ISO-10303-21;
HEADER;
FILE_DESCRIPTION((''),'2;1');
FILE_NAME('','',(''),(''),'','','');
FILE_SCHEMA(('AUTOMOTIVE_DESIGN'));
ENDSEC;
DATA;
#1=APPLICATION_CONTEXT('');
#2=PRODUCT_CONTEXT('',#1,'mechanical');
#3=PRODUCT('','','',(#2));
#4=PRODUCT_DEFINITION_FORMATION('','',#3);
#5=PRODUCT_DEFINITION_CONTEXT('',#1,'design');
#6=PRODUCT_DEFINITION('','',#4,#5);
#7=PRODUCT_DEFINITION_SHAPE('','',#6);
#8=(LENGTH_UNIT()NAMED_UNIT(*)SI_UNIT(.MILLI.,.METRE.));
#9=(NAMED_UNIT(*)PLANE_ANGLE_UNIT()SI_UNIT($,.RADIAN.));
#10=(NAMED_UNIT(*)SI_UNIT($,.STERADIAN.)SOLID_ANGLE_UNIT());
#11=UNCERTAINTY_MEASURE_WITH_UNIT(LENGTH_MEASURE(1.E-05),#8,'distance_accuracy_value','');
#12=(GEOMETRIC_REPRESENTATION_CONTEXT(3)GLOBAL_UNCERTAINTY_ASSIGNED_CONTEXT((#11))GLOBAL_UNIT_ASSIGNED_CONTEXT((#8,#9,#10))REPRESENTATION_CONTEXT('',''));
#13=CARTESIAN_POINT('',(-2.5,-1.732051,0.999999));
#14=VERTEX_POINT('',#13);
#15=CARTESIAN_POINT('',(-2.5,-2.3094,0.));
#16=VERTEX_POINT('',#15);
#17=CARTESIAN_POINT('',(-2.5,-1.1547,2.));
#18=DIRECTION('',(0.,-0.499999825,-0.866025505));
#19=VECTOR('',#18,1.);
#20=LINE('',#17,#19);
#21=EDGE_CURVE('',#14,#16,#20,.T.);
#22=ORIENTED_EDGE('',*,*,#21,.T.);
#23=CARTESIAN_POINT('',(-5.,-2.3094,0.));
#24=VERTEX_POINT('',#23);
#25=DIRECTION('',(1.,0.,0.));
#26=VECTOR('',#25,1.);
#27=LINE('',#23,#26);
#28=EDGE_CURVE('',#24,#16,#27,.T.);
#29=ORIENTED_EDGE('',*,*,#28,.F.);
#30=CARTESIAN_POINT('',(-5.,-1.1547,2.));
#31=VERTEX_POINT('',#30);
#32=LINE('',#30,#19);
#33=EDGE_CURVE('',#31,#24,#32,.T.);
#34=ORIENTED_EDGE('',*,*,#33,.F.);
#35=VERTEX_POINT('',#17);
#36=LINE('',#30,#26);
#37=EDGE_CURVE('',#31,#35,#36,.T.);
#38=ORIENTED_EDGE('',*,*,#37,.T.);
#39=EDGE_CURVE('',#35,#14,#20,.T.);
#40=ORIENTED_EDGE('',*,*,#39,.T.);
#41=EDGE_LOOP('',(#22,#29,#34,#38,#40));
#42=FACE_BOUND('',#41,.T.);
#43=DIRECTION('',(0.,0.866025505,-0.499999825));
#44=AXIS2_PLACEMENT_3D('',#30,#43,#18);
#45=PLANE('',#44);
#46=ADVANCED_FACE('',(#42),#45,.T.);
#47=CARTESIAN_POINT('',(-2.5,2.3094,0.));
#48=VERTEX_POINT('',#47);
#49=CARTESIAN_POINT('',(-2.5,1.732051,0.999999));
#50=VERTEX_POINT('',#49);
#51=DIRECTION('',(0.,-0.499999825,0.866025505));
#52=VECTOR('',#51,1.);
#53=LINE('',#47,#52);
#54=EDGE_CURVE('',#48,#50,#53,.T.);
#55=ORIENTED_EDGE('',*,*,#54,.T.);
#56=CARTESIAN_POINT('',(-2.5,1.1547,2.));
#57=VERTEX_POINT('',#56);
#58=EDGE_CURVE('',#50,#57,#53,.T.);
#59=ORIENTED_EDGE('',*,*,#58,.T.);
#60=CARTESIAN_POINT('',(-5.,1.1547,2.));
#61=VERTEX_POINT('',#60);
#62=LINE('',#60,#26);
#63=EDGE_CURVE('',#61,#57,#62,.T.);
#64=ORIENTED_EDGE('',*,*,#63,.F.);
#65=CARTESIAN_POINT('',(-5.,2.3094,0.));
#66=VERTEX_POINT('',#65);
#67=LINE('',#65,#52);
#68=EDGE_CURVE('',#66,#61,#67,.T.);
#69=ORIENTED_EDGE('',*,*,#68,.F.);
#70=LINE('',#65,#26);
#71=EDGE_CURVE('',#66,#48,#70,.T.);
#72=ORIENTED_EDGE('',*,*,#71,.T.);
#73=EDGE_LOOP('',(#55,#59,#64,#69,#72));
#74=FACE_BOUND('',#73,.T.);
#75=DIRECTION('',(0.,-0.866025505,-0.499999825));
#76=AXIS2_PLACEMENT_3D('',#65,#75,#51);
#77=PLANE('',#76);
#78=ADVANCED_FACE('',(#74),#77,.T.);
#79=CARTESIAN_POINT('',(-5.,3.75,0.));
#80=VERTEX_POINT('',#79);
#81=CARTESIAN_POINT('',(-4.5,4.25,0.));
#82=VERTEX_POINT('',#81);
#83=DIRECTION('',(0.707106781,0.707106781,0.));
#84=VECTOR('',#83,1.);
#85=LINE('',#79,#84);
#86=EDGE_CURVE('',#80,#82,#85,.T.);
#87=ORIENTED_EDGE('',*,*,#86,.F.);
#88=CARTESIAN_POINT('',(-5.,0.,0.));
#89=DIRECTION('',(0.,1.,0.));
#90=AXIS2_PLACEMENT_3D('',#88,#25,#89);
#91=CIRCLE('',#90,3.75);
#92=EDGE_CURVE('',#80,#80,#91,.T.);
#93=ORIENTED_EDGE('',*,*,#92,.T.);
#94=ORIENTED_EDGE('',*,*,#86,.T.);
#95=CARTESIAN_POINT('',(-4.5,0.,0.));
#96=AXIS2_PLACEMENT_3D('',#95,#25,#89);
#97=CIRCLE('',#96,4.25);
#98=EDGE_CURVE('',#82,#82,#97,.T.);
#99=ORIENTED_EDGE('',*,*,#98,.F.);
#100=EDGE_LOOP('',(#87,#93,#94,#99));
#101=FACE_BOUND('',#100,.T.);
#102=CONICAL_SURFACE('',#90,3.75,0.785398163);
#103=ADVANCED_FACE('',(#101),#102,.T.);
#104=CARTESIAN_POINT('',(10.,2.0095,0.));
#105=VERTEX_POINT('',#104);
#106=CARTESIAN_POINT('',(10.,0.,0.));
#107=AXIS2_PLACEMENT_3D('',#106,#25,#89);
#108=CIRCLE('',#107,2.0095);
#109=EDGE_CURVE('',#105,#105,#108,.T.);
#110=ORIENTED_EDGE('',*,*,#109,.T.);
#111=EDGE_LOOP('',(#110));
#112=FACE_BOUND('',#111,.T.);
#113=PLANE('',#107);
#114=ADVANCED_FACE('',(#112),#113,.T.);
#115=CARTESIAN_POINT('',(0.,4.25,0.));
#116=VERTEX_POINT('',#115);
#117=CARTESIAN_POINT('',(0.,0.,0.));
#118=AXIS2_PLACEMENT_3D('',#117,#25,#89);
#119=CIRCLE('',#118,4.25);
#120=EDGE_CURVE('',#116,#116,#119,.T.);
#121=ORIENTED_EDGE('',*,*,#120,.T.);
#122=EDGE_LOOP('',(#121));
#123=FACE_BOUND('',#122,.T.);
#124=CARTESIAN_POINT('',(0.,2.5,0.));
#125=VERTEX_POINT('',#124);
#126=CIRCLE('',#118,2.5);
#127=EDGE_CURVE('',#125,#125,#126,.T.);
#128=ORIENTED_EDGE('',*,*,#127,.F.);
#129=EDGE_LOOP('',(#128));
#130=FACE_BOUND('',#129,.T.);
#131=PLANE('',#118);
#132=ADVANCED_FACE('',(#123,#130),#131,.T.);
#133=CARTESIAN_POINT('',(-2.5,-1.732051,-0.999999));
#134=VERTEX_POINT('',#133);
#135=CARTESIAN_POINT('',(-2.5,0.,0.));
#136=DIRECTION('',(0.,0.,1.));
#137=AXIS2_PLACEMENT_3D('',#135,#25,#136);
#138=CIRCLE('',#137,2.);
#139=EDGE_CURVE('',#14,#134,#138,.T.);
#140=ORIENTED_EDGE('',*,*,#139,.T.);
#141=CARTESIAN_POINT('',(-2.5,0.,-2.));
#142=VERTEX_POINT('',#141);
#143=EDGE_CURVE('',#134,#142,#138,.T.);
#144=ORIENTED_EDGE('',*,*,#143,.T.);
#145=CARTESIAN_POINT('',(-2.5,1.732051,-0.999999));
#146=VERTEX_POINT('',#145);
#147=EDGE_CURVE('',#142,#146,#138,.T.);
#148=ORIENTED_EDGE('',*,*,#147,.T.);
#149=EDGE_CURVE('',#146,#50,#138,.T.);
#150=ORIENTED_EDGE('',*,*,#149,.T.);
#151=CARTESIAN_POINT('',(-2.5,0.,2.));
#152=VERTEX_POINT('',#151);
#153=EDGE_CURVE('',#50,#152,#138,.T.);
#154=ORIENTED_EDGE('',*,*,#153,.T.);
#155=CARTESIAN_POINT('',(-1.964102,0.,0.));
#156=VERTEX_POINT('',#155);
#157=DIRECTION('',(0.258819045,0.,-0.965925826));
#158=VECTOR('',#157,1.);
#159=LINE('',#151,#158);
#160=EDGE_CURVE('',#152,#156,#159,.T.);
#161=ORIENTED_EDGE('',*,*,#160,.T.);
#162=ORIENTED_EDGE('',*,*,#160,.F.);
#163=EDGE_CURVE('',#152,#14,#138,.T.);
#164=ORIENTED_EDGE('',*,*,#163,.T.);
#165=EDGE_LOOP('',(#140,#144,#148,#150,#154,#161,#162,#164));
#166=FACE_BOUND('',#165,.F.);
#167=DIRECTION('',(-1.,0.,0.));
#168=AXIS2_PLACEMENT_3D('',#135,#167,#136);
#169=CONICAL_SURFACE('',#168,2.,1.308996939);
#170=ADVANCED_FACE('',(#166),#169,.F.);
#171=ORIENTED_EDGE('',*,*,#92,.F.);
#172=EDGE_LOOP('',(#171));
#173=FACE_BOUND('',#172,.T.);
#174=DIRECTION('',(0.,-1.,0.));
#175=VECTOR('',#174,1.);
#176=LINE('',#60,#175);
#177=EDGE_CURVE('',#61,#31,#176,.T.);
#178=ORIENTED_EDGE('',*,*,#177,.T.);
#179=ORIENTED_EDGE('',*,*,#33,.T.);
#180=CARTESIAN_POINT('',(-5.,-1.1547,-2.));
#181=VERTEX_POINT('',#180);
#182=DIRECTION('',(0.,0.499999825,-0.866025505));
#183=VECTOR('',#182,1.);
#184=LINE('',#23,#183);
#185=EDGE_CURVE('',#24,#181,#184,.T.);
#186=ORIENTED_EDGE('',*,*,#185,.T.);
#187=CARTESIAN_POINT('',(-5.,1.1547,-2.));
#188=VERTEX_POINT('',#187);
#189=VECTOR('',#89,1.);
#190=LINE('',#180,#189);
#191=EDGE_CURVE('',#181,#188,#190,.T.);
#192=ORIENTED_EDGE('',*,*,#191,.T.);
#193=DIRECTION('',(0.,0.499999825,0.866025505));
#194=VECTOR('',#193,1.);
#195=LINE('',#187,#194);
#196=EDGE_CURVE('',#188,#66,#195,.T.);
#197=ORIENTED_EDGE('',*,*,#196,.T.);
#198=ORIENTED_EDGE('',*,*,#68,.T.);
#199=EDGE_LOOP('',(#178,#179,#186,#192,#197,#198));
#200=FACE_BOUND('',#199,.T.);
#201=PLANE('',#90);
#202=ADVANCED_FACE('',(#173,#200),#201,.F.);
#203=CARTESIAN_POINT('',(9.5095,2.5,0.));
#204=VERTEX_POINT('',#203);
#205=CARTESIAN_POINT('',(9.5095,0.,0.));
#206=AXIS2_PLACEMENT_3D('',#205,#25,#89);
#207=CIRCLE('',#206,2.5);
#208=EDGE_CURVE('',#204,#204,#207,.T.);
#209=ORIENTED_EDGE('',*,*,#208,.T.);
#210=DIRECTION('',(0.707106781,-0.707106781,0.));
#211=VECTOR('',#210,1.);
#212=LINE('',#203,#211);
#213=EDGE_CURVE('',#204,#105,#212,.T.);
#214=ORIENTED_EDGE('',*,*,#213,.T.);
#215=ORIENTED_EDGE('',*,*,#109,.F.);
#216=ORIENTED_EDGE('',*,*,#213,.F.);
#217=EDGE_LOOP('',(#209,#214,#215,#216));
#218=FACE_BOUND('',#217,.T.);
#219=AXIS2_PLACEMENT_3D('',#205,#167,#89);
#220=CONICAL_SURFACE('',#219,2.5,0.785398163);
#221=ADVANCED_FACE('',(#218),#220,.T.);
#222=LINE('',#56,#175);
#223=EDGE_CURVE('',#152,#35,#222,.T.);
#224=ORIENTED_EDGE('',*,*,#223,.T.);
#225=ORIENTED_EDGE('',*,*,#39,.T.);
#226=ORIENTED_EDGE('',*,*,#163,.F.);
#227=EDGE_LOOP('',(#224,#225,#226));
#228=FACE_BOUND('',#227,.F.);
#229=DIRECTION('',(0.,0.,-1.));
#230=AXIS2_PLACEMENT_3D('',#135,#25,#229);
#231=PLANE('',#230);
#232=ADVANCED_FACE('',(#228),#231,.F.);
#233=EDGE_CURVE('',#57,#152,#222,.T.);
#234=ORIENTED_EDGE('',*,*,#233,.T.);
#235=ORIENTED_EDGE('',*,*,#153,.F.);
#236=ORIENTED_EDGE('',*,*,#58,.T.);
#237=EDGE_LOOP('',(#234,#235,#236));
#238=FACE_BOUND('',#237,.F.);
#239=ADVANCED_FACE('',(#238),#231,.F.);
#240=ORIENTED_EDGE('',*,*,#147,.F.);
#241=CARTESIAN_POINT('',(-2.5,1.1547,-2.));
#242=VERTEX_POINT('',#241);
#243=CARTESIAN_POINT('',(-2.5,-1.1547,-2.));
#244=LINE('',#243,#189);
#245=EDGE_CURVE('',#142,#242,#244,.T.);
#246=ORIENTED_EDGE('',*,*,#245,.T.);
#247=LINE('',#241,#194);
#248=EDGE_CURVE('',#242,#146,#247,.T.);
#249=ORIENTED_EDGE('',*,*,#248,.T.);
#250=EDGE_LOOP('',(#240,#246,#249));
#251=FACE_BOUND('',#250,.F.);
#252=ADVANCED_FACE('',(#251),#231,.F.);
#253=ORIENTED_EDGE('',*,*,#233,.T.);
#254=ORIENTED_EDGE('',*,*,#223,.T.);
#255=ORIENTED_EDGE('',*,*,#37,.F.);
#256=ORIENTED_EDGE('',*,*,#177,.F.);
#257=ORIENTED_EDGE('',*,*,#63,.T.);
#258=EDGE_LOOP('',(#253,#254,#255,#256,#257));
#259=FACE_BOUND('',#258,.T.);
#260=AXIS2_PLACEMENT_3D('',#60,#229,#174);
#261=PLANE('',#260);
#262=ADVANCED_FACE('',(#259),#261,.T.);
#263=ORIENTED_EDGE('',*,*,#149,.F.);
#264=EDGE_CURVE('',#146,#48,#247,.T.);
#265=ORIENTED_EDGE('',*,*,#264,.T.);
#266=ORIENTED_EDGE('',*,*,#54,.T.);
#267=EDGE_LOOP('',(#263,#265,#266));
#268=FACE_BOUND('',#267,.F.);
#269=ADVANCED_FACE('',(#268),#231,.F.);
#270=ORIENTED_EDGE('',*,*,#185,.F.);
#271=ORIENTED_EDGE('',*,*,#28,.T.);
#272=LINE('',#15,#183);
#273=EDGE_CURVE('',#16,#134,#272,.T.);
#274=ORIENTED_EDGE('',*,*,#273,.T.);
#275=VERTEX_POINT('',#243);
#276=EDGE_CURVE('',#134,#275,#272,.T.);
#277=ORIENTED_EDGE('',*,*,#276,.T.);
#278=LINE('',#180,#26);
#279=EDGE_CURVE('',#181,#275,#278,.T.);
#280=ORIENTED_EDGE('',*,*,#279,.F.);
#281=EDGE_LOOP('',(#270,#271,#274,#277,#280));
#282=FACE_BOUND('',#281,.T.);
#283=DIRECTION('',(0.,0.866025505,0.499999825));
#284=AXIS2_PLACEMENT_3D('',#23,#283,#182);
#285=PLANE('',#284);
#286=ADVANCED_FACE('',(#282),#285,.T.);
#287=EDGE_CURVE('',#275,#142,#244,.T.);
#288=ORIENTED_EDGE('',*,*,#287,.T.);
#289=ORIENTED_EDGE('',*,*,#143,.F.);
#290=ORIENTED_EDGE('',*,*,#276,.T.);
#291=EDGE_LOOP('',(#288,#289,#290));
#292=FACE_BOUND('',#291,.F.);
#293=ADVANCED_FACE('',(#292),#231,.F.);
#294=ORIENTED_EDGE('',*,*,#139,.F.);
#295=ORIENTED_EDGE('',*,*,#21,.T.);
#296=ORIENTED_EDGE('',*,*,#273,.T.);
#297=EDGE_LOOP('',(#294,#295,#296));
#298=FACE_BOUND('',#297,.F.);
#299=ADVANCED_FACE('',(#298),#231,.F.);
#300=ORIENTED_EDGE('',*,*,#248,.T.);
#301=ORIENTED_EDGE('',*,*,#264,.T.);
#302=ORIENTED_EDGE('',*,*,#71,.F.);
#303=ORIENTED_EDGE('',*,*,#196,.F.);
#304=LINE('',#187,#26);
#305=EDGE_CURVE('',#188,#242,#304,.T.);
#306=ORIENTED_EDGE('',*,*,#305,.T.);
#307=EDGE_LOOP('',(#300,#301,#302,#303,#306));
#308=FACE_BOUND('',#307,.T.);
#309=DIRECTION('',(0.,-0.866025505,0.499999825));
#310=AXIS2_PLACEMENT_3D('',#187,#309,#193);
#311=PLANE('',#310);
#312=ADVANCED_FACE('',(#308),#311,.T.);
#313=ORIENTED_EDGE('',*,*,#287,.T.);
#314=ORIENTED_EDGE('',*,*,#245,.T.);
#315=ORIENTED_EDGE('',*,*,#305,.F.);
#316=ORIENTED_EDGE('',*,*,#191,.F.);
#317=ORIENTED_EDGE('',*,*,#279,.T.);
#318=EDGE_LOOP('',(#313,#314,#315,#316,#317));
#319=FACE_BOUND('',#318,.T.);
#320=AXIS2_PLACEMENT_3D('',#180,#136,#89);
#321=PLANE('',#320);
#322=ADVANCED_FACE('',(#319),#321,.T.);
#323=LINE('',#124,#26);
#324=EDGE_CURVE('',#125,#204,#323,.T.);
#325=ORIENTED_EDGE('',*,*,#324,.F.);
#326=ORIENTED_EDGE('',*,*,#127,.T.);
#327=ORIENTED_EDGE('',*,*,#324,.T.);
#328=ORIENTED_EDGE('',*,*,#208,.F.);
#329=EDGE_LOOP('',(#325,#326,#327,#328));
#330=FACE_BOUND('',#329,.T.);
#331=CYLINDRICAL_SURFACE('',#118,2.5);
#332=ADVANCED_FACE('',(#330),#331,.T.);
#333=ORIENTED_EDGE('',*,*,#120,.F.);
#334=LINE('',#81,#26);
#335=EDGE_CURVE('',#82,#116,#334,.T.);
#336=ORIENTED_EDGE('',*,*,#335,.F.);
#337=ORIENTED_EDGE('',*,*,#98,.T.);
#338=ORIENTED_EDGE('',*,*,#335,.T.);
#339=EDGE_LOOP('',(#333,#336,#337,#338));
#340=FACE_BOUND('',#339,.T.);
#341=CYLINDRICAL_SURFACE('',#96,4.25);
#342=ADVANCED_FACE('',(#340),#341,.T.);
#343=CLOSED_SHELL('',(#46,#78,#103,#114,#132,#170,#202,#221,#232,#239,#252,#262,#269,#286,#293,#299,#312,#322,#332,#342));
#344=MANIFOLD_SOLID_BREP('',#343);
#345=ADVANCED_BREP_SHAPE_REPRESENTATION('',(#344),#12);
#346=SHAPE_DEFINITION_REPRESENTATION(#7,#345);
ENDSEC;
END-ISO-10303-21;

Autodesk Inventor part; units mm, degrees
sketch "Sketch_1" plane through (0, 0, 0) normal (0, 0, 1) x (1, 0, 0)
  line L0 (10, 0) -> (-5, 0)
  line L1 (-5, 0) -> (-5, 3.75)
  line L2 (-5, 3.75) -> (-4.5, 4.25)
  line L3 (-4.5, 4.25) -> (0, 4.25)
  line L4 (0, 4.25) -> (0, 2.5)
  line L5 (0, 2.5) -> (9.5095, 2.5)
  line L6 (9.5095, 2.5) -> (10, 2.0095)
  line L7 (10, 2.0095) -> (10, 0)
  line L8 (10, 0) -> (-5, 0)
revolve "Revolution1" add sketch "Sketch_1" angle 360 about axis through (10, 0, 0) along (1, 0, 0)
thread "Thread1" size "M5x0.8" class "6g" standard "ISO Metric profile" length 9 offset 1
sketch "Sketch2" plane through (-5, 0, 0) normal (-1, 0, 0) x (0, 0, 1)
  point P0 (0, 0)
hole "Hole1" at (-5, 0, 0) direction (1, 0, 0) diameter 4 depth 2.5 tip angle 150
sketch "Sketch_3" plane through (-5, 0, 0) normal (1, 0, 0) x (0, 0, -1)
  line L0 (-2, 1.1547) -> (-2, -1.1547)
  line L1 (-2, -1.1547) -> (0, -2.3094)
  line L2 (0, -2.3094) -> (2, -1.1547)
  line L3 (2, -1.1547) -> (2, 1.1547)
  line L4 (2, 1.1547) -> (0, 2.3094)
  line L5 (0, 2.3094) -> (-2, 1.1547)
extrude "Extrusion1" cut sketch "Sketch_3" along normal blind 2.5
ref_plane "bolt_to_nut_XY" through (10, 0, 0) normal (1, 0, 0) x (0, 0, -1)
ref_plane "bolt_to_nut_YZ" through (10, 0, 0) normal (0, 0, -1) x (0, 1, 0)
ref_plane "bolt_to_nut_ZX" through (10, 0, 0) normal (0, 1, 0) x (1, 0, 0)
ref_plane "screw1_XY" through (0, 0, 0) normal (1, 0, 0) x (0, 0, -1)
ref_plane "screw1_YZ" through (0, 0, 0) normal (0, 0, -1) x (0, 1, 0)
ref_plane "screw1_ZX" through (0, 0, 0) normal (0, 1, 0) x (1, 0, 0)
properties part number "CB5-10" material "鋼、炭素鋼"
